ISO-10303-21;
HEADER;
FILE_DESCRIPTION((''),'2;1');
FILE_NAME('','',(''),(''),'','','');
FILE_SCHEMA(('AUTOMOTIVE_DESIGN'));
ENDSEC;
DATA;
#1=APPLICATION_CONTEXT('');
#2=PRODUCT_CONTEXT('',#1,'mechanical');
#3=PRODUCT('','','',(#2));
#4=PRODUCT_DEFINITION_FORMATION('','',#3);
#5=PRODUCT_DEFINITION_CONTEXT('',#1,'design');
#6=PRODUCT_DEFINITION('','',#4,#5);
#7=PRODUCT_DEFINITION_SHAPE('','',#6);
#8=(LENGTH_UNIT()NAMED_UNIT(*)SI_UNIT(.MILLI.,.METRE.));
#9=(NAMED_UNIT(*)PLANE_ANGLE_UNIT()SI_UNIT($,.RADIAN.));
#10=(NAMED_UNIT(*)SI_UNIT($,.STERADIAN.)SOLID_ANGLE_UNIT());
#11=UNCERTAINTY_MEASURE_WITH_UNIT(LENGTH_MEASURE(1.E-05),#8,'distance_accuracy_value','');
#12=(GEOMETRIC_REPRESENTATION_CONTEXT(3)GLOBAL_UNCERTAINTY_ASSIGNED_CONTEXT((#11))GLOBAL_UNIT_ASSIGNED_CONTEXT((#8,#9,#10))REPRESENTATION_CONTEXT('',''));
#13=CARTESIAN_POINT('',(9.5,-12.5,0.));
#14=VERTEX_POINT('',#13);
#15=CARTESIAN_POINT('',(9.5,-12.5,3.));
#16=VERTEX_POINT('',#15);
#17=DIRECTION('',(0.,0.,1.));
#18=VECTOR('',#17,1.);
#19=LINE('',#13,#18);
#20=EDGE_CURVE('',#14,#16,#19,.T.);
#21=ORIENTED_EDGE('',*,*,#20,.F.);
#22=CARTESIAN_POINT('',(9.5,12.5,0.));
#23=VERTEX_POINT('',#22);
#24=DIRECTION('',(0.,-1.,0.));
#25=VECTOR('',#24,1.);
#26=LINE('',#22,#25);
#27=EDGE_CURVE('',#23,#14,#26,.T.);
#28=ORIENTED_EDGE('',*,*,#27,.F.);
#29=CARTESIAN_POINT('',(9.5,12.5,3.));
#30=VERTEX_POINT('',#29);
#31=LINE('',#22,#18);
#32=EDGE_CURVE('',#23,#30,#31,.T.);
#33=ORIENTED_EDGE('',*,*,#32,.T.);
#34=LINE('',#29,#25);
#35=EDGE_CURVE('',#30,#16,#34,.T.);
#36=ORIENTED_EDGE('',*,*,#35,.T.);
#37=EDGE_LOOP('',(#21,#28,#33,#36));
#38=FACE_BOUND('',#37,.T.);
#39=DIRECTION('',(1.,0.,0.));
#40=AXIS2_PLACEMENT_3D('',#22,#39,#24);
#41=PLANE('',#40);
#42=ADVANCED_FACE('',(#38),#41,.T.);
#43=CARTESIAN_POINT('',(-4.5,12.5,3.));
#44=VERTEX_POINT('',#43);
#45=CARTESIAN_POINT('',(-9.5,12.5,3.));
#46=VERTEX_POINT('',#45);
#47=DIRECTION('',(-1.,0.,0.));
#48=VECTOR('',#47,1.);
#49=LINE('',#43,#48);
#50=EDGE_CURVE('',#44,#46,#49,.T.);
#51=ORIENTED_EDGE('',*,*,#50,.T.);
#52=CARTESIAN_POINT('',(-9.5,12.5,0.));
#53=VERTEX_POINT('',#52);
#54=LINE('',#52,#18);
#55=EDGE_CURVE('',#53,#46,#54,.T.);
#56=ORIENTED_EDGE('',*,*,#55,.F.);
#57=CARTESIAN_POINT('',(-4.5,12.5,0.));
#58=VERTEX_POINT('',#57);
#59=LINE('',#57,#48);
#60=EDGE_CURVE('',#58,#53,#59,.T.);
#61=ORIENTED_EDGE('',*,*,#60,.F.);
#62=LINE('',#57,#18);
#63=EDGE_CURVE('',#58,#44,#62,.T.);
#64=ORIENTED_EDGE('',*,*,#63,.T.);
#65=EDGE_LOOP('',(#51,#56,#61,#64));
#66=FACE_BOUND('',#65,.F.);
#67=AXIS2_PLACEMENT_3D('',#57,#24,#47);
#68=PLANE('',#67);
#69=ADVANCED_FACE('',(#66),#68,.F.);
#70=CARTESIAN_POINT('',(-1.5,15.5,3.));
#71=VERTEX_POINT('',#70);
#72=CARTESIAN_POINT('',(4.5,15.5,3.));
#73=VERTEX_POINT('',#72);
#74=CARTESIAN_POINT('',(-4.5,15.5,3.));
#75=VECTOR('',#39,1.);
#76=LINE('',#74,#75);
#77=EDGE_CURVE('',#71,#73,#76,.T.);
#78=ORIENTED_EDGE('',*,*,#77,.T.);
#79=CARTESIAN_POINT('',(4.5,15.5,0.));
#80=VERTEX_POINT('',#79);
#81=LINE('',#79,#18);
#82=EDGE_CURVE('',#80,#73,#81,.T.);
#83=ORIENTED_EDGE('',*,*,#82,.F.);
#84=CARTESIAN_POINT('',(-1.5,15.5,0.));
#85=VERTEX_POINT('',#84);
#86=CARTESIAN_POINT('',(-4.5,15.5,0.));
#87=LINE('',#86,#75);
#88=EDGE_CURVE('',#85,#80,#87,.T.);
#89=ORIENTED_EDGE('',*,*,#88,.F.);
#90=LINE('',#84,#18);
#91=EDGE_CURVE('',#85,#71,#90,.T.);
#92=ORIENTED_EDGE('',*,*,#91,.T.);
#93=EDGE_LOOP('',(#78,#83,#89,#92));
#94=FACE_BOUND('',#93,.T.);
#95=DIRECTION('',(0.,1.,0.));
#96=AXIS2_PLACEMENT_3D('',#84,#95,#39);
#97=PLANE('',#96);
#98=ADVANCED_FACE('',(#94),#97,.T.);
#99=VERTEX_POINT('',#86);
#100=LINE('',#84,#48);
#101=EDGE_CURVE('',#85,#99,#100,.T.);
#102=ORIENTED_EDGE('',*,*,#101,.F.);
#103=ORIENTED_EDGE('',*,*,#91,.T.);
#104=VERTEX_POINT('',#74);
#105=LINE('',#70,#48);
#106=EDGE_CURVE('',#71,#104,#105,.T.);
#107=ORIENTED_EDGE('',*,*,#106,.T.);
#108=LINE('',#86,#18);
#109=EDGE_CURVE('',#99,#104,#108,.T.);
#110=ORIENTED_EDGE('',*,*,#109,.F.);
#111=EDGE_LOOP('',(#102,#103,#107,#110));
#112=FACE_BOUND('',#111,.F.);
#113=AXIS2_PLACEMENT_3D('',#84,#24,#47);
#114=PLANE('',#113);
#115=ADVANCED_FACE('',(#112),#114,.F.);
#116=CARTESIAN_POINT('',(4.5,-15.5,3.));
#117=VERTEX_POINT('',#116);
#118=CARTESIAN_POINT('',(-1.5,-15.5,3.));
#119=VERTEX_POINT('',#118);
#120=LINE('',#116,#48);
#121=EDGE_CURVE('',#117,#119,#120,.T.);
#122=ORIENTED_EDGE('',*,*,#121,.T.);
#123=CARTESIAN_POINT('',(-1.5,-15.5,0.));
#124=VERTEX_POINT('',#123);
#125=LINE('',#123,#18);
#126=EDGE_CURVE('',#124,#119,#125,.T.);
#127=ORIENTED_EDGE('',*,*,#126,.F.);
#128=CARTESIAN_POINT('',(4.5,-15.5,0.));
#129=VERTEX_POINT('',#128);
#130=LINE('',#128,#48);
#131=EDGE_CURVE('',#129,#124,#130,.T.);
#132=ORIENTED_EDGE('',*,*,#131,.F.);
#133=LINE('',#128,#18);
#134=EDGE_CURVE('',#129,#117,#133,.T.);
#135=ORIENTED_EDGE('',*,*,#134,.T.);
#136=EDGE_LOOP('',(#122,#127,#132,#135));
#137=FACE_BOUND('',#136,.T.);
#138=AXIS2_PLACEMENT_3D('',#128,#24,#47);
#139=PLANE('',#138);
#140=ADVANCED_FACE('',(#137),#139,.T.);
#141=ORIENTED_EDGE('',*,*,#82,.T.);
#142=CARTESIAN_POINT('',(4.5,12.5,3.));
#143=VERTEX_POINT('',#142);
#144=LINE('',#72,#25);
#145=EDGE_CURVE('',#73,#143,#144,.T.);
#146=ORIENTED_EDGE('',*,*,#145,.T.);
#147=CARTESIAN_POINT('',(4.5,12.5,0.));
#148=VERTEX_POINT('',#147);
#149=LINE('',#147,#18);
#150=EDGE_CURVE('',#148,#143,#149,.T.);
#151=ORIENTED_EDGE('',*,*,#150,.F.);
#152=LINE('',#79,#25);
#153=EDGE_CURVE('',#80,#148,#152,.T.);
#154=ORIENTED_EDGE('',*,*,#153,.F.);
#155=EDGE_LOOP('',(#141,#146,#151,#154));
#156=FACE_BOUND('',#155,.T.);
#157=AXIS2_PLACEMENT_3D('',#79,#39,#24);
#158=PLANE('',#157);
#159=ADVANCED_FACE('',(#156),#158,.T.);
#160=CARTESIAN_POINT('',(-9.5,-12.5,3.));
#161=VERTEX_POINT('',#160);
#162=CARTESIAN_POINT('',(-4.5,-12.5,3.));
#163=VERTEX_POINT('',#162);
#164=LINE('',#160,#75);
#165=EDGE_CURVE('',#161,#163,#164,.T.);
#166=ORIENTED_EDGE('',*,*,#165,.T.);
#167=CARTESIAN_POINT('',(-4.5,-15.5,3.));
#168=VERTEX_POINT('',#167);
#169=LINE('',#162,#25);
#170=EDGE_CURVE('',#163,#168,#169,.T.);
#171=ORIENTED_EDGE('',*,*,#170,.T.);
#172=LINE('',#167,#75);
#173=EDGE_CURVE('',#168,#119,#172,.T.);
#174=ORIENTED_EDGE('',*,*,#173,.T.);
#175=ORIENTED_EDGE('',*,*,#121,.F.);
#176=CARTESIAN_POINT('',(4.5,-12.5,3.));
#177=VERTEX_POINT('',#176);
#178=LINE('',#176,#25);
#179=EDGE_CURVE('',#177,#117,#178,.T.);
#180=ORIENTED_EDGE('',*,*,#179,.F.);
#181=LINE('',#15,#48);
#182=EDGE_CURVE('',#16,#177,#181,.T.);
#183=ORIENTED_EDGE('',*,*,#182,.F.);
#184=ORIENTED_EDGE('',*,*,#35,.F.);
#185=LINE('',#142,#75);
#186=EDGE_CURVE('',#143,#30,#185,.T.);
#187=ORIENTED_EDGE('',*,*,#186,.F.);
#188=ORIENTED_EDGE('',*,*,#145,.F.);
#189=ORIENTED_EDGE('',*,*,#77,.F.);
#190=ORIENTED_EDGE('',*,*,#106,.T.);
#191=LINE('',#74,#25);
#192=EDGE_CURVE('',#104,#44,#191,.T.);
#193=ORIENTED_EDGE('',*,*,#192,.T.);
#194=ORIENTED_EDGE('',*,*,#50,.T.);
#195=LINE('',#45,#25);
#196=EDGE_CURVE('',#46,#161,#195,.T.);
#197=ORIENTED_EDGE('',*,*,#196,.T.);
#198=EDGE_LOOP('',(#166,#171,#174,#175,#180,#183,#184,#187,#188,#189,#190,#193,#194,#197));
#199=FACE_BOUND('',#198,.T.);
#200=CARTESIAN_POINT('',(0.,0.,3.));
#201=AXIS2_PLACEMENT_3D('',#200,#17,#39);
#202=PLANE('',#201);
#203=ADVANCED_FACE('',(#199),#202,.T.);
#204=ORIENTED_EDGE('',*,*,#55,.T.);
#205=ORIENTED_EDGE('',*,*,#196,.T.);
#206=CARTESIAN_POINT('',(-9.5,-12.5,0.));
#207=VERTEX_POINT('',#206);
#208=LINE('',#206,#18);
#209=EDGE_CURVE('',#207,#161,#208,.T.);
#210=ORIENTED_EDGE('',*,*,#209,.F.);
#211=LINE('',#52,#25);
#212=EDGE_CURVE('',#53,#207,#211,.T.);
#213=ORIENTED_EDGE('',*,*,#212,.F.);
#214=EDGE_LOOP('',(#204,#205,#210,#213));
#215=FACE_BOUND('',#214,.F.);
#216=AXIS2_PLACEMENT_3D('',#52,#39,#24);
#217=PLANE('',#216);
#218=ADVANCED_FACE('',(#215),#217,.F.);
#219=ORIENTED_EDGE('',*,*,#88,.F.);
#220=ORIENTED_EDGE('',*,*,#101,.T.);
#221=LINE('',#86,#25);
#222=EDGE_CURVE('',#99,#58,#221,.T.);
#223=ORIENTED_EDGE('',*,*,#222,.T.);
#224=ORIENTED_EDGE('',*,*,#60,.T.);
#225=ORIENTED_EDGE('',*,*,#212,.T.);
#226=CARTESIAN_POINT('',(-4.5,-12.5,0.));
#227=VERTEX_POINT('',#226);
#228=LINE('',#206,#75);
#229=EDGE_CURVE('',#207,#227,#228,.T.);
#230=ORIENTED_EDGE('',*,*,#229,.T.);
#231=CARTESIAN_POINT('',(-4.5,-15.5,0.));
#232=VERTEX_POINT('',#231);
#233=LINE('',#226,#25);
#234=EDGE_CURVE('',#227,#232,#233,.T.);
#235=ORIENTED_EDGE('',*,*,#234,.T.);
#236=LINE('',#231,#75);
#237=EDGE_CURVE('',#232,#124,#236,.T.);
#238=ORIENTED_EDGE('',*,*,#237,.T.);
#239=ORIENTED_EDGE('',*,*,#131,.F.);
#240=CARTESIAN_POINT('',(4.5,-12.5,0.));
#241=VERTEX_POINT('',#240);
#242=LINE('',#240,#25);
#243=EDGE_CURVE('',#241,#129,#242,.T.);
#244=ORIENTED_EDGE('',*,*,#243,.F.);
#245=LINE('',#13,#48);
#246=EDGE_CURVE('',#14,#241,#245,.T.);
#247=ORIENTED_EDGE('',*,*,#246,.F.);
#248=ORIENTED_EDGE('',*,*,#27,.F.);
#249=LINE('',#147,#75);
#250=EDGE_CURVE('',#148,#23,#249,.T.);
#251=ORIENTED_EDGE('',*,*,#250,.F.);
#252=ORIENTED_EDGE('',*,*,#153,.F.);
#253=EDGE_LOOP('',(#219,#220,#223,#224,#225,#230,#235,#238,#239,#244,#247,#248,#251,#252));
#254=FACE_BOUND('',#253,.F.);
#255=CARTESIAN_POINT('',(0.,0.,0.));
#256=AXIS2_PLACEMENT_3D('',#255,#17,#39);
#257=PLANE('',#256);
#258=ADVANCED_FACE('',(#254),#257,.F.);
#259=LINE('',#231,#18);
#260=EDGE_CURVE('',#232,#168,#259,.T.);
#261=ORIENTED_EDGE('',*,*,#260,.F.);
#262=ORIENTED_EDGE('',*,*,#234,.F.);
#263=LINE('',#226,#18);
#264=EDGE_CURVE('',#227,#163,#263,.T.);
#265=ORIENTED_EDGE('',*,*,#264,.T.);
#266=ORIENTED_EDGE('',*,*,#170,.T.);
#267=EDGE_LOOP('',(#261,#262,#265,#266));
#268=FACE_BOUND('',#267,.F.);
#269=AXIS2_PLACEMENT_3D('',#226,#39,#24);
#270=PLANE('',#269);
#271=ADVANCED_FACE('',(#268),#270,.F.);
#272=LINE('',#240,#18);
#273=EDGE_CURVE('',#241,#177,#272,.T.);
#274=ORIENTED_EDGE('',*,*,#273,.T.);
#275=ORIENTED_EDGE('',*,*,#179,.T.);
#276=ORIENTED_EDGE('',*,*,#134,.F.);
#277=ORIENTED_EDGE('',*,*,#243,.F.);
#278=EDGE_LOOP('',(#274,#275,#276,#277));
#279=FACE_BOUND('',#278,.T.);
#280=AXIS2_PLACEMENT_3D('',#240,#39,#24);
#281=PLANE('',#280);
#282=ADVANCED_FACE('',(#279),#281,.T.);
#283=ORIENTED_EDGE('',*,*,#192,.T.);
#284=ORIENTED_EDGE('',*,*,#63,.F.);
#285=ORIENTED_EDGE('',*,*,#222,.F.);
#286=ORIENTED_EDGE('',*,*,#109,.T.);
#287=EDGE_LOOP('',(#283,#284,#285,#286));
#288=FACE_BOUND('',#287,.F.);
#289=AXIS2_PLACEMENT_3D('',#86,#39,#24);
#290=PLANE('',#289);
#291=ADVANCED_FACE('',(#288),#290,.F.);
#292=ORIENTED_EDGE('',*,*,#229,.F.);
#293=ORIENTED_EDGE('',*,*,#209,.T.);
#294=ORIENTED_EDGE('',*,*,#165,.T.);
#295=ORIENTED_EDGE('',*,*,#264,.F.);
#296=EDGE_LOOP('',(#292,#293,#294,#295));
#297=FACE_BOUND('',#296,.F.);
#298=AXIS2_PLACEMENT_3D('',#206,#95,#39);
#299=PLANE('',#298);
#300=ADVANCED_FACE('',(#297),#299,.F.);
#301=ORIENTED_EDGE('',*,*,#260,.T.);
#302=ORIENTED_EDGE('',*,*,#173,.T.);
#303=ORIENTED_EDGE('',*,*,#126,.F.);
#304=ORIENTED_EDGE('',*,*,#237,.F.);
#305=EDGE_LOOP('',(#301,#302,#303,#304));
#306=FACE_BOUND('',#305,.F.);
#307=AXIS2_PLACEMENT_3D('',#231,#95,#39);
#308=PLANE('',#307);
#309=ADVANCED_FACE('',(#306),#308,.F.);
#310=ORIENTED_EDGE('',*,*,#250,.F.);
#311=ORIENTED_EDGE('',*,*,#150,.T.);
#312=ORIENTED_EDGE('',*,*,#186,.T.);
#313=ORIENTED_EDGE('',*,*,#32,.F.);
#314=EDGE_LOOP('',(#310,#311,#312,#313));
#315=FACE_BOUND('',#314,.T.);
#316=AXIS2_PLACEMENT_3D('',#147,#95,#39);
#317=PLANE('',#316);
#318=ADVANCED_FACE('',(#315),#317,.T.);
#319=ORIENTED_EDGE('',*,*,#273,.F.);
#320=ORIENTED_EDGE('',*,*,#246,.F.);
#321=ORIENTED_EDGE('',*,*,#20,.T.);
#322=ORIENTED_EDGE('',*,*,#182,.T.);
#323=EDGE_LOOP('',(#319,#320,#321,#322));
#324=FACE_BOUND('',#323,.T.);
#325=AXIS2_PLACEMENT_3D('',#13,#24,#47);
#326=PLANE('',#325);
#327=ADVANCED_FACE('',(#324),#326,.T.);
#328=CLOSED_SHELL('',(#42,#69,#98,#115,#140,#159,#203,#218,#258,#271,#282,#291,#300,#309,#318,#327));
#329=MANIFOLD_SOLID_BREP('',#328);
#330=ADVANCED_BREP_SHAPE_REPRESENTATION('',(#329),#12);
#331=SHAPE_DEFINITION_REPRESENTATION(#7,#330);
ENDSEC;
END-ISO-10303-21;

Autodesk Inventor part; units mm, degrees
ref_plane "YZ Plane" through (0, 0, 0) normal (1, 0, 0) x (0, 1, 0)
ref_plane "XZ Plane" through (0, 0, 0) normal (0, 1, 0) x (-1, 0, 0)
ref_plane "XY Plane" through (0, 0, 0) normal (0, 0, 1) x (1, 0, 0)
sketch "Boceto1" plane through (0, 0, 0) normal (0, 0, 1) x (1, 0, 0)
  line L0 (-4.5, 15.5) -> (-4.5, 12.5)
  line L1 (-4.5, 12.5) -> (-9.5, 12.5)
  line L2 (-9.5, 12.5) -> (-9.5, -12.5)
  line L3 (-9.5, -12.5) -> (-4.5, -12.5)
  line L4 (-4.5, -12.5) -> (-4.5, -15.5)
  line L5 (-4.5, -15.5) -> (-1.5, -15.5)
  line L6 (-1.5, 15.5) -> (-4.5, 15.5)
  line L7 (9.5, 12.5) -> (9.5, -12.5)
  line L8 (9.5, -12.5) -> (4.5, -12.5)
  line L9 (4.5, -12.5) -> (4.5, -15.5)
  line L10 (4.5, -15.5) -> (-4.5, -15.5)
  line L11 (-4.5, 15.5) -> (4.5, 15.5)
  line L12 (4.5, 15.5) -> (4.5, 12.5)
  line L13 (4.5, 12.5) -> (9.5, 12.5)
extrude "Extrusión1" add sketch "Boceto1" along normal blind 3
properties part number "Wall_Base2" material "MDF Tablero de fibras de densidad media"
